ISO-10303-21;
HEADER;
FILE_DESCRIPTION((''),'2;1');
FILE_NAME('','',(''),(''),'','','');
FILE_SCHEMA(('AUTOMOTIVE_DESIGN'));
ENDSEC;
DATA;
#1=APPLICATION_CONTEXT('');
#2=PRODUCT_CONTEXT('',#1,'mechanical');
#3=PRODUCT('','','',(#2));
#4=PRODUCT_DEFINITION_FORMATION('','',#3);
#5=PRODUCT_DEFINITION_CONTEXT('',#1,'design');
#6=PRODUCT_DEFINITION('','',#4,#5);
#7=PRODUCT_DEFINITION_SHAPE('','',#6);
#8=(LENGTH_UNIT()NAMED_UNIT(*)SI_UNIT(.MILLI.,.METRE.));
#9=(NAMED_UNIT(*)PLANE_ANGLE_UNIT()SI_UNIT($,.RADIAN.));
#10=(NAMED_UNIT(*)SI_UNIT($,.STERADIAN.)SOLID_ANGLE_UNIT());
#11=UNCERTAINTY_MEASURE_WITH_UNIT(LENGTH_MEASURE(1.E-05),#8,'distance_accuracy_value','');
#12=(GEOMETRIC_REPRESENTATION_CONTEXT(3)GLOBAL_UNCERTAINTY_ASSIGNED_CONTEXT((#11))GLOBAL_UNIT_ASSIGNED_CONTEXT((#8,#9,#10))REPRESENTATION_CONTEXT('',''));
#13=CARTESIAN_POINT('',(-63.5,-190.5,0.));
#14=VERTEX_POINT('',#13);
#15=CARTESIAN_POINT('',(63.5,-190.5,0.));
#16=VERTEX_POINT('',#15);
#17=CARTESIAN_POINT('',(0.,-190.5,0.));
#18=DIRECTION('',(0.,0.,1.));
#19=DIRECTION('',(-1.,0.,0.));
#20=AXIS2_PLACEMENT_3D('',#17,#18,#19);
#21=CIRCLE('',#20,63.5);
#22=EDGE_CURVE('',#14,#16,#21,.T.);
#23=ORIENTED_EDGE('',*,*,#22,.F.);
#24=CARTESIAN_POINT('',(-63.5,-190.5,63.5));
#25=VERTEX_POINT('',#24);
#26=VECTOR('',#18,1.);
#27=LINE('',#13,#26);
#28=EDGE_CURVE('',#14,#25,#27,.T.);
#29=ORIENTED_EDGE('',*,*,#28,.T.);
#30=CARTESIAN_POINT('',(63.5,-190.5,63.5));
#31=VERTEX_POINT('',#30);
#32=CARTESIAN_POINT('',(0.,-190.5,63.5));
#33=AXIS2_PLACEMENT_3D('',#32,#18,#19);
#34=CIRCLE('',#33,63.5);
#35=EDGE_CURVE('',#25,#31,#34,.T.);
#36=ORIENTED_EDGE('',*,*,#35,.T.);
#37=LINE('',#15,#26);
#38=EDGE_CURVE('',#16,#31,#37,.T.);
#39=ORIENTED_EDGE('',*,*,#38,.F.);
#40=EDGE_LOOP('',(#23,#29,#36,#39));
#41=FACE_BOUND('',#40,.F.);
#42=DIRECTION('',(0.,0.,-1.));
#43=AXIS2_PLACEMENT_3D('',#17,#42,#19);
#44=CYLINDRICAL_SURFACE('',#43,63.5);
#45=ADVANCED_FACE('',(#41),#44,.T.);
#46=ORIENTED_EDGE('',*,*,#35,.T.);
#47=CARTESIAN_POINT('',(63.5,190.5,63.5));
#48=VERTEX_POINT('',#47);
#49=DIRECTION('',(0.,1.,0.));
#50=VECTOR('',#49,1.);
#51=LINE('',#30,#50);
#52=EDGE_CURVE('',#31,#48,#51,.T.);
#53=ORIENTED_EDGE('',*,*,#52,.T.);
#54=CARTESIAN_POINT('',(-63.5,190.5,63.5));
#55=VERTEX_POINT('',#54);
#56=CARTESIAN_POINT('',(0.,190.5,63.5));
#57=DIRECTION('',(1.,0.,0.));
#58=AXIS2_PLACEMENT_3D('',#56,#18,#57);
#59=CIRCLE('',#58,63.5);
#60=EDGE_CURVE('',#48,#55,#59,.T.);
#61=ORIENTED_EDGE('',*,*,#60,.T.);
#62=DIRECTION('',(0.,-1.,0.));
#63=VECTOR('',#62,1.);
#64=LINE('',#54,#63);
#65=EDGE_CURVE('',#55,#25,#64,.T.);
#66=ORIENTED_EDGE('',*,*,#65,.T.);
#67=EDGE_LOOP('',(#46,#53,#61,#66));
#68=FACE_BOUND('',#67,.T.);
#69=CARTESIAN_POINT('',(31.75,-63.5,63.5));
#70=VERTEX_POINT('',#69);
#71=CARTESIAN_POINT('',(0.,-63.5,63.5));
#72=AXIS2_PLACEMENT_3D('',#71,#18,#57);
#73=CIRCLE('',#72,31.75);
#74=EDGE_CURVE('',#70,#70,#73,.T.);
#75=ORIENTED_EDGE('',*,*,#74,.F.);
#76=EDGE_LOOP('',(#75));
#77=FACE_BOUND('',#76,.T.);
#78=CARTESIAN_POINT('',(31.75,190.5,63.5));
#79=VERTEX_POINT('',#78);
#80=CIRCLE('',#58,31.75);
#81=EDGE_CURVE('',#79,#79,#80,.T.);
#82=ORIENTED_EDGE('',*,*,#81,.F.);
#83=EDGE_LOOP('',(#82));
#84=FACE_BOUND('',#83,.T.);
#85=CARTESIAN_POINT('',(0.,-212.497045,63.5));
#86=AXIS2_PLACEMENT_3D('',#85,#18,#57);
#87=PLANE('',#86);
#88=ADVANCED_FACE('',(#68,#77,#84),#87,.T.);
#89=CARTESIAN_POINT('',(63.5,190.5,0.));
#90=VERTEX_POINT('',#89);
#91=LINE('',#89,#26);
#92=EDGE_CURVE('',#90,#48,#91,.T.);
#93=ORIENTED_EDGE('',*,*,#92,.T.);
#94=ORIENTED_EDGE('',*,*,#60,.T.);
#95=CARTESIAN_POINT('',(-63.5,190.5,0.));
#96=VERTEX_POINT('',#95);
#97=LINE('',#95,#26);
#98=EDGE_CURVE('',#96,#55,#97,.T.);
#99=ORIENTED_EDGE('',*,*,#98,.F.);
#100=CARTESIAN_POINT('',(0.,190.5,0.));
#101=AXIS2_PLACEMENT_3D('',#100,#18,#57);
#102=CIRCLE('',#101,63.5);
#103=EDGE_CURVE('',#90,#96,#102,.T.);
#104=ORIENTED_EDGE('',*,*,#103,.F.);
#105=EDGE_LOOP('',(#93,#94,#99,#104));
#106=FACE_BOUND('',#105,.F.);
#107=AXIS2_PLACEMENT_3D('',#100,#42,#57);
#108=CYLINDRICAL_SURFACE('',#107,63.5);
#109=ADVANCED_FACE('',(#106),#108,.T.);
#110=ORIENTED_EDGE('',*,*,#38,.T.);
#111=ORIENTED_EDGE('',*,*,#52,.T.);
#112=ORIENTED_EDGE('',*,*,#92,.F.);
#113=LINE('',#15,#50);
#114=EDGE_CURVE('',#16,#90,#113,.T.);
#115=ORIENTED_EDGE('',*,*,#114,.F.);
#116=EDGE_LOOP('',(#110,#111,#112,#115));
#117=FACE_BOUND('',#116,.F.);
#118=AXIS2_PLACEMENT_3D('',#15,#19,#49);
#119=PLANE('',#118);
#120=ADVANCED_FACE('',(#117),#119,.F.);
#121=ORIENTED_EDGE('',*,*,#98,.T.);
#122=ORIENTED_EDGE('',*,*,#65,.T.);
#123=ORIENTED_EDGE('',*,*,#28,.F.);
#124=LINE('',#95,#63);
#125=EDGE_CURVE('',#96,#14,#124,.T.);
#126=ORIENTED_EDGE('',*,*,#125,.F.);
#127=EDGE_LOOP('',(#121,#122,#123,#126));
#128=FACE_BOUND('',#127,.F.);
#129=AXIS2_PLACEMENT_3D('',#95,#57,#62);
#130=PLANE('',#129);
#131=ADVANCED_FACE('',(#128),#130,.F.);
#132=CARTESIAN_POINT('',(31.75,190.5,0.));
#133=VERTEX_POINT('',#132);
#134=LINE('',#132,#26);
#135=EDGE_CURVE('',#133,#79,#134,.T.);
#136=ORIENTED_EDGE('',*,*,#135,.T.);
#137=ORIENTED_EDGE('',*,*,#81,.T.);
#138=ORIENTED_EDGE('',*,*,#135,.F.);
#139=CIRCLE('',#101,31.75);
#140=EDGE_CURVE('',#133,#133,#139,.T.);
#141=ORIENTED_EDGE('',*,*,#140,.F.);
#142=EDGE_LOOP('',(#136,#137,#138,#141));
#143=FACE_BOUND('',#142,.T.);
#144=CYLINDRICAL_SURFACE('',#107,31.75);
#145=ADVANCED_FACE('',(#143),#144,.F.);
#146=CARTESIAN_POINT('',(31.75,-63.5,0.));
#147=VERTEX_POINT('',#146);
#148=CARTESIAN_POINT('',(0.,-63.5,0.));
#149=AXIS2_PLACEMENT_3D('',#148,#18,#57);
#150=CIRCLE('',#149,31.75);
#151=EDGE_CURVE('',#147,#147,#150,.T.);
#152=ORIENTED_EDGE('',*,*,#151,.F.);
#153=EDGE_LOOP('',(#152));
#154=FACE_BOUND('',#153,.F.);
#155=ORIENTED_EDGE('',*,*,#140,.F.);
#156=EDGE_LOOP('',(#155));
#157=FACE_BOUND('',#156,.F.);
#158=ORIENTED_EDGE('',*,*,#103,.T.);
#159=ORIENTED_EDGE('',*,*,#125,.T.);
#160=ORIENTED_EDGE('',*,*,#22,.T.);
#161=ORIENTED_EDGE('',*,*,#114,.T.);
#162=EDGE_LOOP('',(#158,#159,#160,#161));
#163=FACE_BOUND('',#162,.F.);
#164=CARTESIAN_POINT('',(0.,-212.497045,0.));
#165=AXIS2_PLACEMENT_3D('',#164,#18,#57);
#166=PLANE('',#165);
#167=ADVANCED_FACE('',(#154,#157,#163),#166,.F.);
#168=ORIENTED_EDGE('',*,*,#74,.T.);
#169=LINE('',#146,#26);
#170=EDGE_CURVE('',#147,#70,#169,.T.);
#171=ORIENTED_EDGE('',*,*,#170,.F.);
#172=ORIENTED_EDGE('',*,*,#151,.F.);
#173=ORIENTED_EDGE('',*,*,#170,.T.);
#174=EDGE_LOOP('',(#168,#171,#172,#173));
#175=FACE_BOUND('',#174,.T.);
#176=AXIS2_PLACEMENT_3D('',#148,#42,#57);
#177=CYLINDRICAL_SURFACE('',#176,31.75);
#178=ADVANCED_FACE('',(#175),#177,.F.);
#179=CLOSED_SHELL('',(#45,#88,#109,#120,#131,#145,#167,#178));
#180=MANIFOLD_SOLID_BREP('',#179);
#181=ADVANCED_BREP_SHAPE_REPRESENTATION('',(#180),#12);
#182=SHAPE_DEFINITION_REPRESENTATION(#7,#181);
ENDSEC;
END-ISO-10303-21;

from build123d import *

# Parameters (mm, degrees)
F1_DEPTH = 63.5
F2_R     = 31.75
F3_DEPTH = 63.5


with BuildPart() as f1:
    # F0 (on Top) → F1 (new body)
    with BuildSketch(Plane.XY):
        with BuildLine():
            ThreePointArc((-63.5, -190.5), (0, -254), (63.5, -190.5))
            Line((63.5, -190.5), (-63.5, -190.5))
        make_face()
        with BuildLine():
            ThreePointArc((-63.5, -190.5), (0, -127), (63.5, -190.5))
            Line((63.5, -190.5), (63.5, 190.5))
            ThreePointArc((63.5, 190.5), (0, 127), (-63.5, 190.5))
            Line((-63.5, 190.5), (-63.5, -190.5))
        make_face()
        with BuildLine():
            Line((-63.5, -190.5), (63.5, -190.5))
            ThreePointArc((63.5, -190.5), (0, -127), (-63.5, -190.5))
        make_face()
        with BuildLine():
            ThreePointArc((-63.5, 190.5), (0, 127), (63.5, 190.5))
            Line((63.5, 190.5), (-63.5, 190.5))
        make_face()
        with BuildLine():
            Line((-63.5, 190.5), (63.5, 190.5))
            ThreePointArc((63.5, 190.5), (0, 254), (-63.5, 190.5))
        make_face()
    extrude(amount=F1_DEPTH)

    # F2 (on Top) → F3 (cut, through all)
    with BuildSketch(Plane.XY):
        with Locations((0, 190.5)):
            Circle(F2_R)
        with Locations((0, -63.5)):
            Circle(F2_R)
    extrude(amount=F3_DEPTH, mode=Mode.SUBTRACT)


solid = f1.part
